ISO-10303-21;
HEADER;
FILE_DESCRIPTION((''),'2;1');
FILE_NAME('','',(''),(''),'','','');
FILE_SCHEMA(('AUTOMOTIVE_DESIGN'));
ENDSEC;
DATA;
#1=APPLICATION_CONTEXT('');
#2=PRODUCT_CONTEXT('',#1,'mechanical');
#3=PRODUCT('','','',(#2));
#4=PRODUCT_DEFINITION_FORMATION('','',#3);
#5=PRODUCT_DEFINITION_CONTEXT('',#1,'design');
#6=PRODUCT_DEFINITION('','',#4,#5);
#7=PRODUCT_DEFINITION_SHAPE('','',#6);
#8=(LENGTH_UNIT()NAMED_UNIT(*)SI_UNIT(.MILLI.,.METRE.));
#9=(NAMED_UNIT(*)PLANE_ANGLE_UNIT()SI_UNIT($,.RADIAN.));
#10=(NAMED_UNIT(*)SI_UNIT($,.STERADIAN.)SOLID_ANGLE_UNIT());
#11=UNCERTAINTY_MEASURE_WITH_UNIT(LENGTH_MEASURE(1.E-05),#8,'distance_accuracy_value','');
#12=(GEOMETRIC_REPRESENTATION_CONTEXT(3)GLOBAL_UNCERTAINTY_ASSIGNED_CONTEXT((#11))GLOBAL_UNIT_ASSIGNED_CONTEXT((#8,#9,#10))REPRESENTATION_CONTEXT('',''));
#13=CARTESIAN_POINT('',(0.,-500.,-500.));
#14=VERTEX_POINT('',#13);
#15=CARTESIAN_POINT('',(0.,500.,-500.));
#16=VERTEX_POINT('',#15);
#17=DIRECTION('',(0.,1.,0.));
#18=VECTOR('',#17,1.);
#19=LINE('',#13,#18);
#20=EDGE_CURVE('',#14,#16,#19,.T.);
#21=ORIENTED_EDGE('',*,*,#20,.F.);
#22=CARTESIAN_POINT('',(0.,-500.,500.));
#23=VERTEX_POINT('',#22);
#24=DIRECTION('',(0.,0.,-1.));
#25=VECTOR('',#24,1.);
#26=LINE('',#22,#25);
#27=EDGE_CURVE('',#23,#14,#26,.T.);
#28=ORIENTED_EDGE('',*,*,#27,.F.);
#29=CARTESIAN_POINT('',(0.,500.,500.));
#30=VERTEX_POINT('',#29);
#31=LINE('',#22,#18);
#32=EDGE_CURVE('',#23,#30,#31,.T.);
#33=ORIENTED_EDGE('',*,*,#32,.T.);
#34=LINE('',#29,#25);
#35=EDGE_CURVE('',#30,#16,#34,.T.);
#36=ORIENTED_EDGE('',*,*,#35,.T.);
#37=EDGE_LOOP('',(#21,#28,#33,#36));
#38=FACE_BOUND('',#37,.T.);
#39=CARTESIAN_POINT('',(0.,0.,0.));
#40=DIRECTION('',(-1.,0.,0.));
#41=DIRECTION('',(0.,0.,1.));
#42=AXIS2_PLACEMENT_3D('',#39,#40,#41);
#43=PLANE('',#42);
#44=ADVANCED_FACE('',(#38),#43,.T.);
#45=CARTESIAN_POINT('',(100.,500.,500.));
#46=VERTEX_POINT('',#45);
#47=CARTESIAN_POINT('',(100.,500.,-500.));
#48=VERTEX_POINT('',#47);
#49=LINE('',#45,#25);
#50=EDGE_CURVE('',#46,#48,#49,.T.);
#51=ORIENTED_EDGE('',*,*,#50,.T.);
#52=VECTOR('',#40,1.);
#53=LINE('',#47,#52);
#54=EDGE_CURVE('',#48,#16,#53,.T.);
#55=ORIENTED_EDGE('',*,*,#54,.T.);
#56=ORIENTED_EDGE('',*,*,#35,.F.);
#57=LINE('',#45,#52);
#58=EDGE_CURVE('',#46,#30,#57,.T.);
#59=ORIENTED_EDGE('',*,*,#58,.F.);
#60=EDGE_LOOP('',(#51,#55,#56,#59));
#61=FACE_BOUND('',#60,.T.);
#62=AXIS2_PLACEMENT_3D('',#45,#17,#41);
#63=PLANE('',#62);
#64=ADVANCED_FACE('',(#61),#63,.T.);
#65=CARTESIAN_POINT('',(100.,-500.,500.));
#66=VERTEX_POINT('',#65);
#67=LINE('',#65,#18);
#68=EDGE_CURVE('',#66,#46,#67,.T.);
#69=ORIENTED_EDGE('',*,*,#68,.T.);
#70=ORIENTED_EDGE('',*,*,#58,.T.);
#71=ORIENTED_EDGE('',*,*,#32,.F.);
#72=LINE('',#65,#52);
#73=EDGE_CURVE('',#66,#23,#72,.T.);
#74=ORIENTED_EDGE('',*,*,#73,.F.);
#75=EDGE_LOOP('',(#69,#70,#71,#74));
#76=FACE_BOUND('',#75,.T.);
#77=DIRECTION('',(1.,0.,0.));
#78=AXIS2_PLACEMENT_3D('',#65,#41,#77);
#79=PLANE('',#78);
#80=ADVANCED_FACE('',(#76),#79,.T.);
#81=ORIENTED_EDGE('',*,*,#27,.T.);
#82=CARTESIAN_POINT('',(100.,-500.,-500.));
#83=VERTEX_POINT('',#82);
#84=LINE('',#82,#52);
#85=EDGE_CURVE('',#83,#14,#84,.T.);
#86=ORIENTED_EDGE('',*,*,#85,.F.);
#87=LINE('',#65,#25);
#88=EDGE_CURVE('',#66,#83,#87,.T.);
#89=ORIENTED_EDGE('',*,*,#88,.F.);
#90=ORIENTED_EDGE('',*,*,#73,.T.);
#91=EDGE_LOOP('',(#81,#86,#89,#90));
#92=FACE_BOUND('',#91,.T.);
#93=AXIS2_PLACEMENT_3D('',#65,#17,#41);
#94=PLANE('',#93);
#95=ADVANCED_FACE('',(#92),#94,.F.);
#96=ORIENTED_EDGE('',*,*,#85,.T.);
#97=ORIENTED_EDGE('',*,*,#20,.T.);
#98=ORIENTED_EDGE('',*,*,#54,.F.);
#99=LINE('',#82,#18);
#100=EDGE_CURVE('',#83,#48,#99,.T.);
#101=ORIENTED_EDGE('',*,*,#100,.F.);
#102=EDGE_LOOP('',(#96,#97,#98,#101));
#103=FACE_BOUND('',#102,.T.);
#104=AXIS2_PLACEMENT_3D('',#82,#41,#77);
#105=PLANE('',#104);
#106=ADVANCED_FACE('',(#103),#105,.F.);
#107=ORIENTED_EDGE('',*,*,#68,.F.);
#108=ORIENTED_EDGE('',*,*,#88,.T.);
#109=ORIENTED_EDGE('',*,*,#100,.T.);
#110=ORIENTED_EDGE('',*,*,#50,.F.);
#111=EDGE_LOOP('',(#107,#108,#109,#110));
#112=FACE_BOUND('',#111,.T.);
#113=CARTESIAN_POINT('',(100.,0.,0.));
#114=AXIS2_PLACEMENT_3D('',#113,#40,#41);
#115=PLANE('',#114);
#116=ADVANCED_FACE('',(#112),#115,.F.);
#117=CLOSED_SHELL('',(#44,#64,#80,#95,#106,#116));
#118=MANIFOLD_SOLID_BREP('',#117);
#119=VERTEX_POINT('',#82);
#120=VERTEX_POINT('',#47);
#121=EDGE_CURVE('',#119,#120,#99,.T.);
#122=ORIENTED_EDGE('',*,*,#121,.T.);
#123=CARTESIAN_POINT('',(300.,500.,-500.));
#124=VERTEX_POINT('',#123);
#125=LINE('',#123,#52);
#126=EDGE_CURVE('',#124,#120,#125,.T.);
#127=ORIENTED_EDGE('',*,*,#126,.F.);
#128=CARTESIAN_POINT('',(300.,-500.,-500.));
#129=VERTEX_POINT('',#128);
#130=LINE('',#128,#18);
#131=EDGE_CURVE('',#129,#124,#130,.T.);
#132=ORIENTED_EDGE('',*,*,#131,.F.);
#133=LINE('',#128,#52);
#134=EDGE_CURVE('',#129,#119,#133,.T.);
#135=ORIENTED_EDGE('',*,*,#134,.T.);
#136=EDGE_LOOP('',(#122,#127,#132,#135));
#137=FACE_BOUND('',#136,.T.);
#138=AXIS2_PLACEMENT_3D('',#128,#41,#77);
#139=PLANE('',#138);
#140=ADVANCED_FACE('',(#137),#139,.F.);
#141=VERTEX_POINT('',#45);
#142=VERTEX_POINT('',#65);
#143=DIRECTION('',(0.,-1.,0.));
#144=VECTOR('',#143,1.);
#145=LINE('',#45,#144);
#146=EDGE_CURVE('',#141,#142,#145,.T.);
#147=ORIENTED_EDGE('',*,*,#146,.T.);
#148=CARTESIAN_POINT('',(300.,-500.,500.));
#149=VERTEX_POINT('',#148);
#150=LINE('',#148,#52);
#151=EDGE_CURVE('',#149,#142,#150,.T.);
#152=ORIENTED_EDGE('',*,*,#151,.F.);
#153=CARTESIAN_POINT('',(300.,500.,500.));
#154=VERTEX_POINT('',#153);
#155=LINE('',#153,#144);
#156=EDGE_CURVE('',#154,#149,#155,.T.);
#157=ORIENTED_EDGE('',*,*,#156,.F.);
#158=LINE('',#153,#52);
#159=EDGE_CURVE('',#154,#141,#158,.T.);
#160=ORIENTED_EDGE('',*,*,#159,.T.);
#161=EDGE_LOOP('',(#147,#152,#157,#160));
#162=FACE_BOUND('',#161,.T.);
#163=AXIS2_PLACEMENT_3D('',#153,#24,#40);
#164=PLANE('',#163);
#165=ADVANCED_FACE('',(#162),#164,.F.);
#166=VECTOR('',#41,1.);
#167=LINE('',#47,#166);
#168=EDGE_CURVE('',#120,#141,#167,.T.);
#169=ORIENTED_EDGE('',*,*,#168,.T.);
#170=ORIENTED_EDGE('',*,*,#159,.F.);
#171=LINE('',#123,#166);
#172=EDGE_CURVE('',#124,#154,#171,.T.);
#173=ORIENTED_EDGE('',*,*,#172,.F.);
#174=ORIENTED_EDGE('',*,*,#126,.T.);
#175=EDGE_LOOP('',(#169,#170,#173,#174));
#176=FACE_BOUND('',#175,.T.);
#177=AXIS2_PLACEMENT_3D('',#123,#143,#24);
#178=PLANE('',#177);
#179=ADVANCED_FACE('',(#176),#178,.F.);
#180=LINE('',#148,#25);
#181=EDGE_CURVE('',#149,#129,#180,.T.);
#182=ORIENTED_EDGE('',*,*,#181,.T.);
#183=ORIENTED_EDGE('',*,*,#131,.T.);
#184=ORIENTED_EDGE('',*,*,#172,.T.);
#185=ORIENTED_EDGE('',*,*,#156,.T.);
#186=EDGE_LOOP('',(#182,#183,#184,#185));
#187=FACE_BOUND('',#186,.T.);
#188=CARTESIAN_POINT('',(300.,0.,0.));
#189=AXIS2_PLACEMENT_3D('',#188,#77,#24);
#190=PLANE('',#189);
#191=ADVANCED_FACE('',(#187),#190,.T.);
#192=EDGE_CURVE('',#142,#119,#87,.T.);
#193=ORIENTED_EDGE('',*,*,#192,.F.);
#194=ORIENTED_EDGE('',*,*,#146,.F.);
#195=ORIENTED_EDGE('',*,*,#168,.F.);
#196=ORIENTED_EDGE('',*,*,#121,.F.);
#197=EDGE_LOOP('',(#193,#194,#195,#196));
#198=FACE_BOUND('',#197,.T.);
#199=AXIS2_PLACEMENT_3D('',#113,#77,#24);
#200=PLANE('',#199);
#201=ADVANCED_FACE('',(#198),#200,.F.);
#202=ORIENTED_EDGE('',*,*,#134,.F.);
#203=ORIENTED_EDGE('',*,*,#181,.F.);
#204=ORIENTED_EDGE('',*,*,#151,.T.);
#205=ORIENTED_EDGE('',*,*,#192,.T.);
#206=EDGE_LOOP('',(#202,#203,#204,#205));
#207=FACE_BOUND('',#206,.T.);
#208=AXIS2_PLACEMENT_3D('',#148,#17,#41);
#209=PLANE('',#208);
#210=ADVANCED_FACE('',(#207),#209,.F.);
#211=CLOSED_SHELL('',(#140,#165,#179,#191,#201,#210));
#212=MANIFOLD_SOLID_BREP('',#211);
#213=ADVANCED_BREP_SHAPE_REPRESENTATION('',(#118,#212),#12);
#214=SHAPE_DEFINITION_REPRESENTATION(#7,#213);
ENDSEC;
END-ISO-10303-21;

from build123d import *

# Parameters (mm, degrees)
SKETCH1_W           = 1000
SKETCH1_H           = 1000
BOSS_EXTRUDE1_DEPTH = 100
SKETCH2_W           = 1000
SKETCH2_H           = 1000
BOSS_EXTRUDE2_DEPTH = 200


with BuildPart() as part:
    # Sketch1 → Boss-Extrude1 (new body)
    with BuildSketch(Plane(origin=(0, 0, 0), x_dir=(0, 0, -1), z_dir=(1, 0, 0))):
        Rectangle(SKETCH1_W, SKETCH1_H)
    extrude(amount=BOSS_EXTRUDE1_DEPTH)


with BuildPart() as body_2:
    # Sketch2 → Boss-Extrude2 (new body)
    with BuildSketch(Plane(origin=(100, 0, 0), x_dir=(0, 0, -1), z_dir=(1, 0, 0))):
        Rectangle(SKETCH2_W, SKETCH2_H)
    extrude(amount=BOSS_EXTRUDE2_DEPTH)


solid = Compound([part.part, body_2.part])
